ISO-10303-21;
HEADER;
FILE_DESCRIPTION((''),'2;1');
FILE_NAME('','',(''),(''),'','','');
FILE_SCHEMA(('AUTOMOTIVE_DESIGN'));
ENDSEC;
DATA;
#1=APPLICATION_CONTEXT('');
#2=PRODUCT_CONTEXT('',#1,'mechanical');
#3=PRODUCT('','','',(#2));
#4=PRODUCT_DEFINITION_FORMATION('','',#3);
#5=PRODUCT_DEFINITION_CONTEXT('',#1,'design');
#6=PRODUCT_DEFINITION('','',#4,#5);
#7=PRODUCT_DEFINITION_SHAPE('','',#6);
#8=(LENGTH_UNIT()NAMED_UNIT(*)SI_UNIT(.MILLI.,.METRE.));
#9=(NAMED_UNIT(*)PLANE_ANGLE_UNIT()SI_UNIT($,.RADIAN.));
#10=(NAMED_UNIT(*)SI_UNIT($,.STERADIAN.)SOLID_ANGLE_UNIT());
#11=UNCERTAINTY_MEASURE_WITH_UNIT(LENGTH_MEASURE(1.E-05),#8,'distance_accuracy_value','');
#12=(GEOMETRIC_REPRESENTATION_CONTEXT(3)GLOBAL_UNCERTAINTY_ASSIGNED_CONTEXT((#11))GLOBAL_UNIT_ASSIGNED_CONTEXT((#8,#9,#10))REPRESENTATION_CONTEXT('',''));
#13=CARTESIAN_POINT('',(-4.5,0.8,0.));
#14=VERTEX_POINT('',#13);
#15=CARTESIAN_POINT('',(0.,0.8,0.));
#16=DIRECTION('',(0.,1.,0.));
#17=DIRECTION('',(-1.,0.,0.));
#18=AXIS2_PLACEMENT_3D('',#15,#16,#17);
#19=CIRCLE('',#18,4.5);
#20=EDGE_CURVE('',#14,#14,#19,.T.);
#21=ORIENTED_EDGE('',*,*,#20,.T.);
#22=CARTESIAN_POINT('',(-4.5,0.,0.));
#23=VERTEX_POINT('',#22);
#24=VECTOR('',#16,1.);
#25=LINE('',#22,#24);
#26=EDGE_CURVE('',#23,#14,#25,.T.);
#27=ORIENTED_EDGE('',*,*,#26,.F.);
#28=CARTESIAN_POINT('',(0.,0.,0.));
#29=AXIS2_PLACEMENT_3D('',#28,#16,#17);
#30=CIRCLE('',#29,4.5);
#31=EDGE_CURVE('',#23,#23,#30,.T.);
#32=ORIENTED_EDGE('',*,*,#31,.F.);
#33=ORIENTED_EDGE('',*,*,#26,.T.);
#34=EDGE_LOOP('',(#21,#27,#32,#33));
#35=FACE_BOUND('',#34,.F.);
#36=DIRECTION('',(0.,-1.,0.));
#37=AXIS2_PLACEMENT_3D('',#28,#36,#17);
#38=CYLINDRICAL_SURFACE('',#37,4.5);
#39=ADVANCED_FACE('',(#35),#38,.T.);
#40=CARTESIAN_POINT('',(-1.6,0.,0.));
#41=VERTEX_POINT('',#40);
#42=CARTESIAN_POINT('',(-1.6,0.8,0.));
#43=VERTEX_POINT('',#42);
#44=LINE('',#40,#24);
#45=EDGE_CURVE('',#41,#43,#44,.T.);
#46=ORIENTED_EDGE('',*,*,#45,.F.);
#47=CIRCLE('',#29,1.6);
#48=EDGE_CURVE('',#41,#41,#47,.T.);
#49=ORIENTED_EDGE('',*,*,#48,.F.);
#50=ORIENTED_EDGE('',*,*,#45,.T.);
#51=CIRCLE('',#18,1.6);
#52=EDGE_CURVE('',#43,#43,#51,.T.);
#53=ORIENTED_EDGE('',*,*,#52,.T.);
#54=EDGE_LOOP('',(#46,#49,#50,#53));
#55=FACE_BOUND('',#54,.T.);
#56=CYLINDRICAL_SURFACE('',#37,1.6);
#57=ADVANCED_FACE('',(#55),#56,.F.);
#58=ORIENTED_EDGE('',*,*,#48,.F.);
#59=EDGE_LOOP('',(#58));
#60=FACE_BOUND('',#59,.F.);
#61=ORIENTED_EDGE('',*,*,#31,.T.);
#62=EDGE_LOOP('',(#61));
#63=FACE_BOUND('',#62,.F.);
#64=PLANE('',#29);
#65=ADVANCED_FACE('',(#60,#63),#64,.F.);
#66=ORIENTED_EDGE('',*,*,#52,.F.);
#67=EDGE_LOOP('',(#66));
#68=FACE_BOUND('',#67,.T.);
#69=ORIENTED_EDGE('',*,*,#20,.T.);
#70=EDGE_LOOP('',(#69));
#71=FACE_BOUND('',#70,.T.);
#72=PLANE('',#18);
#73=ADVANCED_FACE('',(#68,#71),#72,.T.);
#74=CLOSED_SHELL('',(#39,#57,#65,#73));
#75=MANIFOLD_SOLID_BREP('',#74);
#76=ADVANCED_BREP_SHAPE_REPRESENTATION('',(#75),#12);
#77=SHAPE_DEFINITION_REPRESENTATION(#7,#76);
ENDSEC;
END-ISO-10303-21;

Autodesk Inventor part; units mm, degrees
ref_plane "YZ Plane" through (0, 0, 0) normal (1, 0, 0) x (0, 1, 0)
ref_plane "XZ Plane" through (0, 0, 0) normal (0, 1, 0) x (-1, 0, 0)
ref_plane "XY Plane" through (0, 0, 0) normal (0, 0, 1) x (1, 0, 0)
sketch "Sketch1" plane through (0, 0, 0) normal (0, 1, 0) x (-1, 0, 0)
  circle A0 centre (0, 0) radius 1.6
  circle A1 centre (0, 0) radius 4.5
  dimension "d0" = 3.2
  dimension "d1" = 9
extrude "Extrusion1" add sketch "Sketch1" along normal blind 0.8
properties part number "Unterlegsscheibe_Plastik" material "ABS Plastic"
